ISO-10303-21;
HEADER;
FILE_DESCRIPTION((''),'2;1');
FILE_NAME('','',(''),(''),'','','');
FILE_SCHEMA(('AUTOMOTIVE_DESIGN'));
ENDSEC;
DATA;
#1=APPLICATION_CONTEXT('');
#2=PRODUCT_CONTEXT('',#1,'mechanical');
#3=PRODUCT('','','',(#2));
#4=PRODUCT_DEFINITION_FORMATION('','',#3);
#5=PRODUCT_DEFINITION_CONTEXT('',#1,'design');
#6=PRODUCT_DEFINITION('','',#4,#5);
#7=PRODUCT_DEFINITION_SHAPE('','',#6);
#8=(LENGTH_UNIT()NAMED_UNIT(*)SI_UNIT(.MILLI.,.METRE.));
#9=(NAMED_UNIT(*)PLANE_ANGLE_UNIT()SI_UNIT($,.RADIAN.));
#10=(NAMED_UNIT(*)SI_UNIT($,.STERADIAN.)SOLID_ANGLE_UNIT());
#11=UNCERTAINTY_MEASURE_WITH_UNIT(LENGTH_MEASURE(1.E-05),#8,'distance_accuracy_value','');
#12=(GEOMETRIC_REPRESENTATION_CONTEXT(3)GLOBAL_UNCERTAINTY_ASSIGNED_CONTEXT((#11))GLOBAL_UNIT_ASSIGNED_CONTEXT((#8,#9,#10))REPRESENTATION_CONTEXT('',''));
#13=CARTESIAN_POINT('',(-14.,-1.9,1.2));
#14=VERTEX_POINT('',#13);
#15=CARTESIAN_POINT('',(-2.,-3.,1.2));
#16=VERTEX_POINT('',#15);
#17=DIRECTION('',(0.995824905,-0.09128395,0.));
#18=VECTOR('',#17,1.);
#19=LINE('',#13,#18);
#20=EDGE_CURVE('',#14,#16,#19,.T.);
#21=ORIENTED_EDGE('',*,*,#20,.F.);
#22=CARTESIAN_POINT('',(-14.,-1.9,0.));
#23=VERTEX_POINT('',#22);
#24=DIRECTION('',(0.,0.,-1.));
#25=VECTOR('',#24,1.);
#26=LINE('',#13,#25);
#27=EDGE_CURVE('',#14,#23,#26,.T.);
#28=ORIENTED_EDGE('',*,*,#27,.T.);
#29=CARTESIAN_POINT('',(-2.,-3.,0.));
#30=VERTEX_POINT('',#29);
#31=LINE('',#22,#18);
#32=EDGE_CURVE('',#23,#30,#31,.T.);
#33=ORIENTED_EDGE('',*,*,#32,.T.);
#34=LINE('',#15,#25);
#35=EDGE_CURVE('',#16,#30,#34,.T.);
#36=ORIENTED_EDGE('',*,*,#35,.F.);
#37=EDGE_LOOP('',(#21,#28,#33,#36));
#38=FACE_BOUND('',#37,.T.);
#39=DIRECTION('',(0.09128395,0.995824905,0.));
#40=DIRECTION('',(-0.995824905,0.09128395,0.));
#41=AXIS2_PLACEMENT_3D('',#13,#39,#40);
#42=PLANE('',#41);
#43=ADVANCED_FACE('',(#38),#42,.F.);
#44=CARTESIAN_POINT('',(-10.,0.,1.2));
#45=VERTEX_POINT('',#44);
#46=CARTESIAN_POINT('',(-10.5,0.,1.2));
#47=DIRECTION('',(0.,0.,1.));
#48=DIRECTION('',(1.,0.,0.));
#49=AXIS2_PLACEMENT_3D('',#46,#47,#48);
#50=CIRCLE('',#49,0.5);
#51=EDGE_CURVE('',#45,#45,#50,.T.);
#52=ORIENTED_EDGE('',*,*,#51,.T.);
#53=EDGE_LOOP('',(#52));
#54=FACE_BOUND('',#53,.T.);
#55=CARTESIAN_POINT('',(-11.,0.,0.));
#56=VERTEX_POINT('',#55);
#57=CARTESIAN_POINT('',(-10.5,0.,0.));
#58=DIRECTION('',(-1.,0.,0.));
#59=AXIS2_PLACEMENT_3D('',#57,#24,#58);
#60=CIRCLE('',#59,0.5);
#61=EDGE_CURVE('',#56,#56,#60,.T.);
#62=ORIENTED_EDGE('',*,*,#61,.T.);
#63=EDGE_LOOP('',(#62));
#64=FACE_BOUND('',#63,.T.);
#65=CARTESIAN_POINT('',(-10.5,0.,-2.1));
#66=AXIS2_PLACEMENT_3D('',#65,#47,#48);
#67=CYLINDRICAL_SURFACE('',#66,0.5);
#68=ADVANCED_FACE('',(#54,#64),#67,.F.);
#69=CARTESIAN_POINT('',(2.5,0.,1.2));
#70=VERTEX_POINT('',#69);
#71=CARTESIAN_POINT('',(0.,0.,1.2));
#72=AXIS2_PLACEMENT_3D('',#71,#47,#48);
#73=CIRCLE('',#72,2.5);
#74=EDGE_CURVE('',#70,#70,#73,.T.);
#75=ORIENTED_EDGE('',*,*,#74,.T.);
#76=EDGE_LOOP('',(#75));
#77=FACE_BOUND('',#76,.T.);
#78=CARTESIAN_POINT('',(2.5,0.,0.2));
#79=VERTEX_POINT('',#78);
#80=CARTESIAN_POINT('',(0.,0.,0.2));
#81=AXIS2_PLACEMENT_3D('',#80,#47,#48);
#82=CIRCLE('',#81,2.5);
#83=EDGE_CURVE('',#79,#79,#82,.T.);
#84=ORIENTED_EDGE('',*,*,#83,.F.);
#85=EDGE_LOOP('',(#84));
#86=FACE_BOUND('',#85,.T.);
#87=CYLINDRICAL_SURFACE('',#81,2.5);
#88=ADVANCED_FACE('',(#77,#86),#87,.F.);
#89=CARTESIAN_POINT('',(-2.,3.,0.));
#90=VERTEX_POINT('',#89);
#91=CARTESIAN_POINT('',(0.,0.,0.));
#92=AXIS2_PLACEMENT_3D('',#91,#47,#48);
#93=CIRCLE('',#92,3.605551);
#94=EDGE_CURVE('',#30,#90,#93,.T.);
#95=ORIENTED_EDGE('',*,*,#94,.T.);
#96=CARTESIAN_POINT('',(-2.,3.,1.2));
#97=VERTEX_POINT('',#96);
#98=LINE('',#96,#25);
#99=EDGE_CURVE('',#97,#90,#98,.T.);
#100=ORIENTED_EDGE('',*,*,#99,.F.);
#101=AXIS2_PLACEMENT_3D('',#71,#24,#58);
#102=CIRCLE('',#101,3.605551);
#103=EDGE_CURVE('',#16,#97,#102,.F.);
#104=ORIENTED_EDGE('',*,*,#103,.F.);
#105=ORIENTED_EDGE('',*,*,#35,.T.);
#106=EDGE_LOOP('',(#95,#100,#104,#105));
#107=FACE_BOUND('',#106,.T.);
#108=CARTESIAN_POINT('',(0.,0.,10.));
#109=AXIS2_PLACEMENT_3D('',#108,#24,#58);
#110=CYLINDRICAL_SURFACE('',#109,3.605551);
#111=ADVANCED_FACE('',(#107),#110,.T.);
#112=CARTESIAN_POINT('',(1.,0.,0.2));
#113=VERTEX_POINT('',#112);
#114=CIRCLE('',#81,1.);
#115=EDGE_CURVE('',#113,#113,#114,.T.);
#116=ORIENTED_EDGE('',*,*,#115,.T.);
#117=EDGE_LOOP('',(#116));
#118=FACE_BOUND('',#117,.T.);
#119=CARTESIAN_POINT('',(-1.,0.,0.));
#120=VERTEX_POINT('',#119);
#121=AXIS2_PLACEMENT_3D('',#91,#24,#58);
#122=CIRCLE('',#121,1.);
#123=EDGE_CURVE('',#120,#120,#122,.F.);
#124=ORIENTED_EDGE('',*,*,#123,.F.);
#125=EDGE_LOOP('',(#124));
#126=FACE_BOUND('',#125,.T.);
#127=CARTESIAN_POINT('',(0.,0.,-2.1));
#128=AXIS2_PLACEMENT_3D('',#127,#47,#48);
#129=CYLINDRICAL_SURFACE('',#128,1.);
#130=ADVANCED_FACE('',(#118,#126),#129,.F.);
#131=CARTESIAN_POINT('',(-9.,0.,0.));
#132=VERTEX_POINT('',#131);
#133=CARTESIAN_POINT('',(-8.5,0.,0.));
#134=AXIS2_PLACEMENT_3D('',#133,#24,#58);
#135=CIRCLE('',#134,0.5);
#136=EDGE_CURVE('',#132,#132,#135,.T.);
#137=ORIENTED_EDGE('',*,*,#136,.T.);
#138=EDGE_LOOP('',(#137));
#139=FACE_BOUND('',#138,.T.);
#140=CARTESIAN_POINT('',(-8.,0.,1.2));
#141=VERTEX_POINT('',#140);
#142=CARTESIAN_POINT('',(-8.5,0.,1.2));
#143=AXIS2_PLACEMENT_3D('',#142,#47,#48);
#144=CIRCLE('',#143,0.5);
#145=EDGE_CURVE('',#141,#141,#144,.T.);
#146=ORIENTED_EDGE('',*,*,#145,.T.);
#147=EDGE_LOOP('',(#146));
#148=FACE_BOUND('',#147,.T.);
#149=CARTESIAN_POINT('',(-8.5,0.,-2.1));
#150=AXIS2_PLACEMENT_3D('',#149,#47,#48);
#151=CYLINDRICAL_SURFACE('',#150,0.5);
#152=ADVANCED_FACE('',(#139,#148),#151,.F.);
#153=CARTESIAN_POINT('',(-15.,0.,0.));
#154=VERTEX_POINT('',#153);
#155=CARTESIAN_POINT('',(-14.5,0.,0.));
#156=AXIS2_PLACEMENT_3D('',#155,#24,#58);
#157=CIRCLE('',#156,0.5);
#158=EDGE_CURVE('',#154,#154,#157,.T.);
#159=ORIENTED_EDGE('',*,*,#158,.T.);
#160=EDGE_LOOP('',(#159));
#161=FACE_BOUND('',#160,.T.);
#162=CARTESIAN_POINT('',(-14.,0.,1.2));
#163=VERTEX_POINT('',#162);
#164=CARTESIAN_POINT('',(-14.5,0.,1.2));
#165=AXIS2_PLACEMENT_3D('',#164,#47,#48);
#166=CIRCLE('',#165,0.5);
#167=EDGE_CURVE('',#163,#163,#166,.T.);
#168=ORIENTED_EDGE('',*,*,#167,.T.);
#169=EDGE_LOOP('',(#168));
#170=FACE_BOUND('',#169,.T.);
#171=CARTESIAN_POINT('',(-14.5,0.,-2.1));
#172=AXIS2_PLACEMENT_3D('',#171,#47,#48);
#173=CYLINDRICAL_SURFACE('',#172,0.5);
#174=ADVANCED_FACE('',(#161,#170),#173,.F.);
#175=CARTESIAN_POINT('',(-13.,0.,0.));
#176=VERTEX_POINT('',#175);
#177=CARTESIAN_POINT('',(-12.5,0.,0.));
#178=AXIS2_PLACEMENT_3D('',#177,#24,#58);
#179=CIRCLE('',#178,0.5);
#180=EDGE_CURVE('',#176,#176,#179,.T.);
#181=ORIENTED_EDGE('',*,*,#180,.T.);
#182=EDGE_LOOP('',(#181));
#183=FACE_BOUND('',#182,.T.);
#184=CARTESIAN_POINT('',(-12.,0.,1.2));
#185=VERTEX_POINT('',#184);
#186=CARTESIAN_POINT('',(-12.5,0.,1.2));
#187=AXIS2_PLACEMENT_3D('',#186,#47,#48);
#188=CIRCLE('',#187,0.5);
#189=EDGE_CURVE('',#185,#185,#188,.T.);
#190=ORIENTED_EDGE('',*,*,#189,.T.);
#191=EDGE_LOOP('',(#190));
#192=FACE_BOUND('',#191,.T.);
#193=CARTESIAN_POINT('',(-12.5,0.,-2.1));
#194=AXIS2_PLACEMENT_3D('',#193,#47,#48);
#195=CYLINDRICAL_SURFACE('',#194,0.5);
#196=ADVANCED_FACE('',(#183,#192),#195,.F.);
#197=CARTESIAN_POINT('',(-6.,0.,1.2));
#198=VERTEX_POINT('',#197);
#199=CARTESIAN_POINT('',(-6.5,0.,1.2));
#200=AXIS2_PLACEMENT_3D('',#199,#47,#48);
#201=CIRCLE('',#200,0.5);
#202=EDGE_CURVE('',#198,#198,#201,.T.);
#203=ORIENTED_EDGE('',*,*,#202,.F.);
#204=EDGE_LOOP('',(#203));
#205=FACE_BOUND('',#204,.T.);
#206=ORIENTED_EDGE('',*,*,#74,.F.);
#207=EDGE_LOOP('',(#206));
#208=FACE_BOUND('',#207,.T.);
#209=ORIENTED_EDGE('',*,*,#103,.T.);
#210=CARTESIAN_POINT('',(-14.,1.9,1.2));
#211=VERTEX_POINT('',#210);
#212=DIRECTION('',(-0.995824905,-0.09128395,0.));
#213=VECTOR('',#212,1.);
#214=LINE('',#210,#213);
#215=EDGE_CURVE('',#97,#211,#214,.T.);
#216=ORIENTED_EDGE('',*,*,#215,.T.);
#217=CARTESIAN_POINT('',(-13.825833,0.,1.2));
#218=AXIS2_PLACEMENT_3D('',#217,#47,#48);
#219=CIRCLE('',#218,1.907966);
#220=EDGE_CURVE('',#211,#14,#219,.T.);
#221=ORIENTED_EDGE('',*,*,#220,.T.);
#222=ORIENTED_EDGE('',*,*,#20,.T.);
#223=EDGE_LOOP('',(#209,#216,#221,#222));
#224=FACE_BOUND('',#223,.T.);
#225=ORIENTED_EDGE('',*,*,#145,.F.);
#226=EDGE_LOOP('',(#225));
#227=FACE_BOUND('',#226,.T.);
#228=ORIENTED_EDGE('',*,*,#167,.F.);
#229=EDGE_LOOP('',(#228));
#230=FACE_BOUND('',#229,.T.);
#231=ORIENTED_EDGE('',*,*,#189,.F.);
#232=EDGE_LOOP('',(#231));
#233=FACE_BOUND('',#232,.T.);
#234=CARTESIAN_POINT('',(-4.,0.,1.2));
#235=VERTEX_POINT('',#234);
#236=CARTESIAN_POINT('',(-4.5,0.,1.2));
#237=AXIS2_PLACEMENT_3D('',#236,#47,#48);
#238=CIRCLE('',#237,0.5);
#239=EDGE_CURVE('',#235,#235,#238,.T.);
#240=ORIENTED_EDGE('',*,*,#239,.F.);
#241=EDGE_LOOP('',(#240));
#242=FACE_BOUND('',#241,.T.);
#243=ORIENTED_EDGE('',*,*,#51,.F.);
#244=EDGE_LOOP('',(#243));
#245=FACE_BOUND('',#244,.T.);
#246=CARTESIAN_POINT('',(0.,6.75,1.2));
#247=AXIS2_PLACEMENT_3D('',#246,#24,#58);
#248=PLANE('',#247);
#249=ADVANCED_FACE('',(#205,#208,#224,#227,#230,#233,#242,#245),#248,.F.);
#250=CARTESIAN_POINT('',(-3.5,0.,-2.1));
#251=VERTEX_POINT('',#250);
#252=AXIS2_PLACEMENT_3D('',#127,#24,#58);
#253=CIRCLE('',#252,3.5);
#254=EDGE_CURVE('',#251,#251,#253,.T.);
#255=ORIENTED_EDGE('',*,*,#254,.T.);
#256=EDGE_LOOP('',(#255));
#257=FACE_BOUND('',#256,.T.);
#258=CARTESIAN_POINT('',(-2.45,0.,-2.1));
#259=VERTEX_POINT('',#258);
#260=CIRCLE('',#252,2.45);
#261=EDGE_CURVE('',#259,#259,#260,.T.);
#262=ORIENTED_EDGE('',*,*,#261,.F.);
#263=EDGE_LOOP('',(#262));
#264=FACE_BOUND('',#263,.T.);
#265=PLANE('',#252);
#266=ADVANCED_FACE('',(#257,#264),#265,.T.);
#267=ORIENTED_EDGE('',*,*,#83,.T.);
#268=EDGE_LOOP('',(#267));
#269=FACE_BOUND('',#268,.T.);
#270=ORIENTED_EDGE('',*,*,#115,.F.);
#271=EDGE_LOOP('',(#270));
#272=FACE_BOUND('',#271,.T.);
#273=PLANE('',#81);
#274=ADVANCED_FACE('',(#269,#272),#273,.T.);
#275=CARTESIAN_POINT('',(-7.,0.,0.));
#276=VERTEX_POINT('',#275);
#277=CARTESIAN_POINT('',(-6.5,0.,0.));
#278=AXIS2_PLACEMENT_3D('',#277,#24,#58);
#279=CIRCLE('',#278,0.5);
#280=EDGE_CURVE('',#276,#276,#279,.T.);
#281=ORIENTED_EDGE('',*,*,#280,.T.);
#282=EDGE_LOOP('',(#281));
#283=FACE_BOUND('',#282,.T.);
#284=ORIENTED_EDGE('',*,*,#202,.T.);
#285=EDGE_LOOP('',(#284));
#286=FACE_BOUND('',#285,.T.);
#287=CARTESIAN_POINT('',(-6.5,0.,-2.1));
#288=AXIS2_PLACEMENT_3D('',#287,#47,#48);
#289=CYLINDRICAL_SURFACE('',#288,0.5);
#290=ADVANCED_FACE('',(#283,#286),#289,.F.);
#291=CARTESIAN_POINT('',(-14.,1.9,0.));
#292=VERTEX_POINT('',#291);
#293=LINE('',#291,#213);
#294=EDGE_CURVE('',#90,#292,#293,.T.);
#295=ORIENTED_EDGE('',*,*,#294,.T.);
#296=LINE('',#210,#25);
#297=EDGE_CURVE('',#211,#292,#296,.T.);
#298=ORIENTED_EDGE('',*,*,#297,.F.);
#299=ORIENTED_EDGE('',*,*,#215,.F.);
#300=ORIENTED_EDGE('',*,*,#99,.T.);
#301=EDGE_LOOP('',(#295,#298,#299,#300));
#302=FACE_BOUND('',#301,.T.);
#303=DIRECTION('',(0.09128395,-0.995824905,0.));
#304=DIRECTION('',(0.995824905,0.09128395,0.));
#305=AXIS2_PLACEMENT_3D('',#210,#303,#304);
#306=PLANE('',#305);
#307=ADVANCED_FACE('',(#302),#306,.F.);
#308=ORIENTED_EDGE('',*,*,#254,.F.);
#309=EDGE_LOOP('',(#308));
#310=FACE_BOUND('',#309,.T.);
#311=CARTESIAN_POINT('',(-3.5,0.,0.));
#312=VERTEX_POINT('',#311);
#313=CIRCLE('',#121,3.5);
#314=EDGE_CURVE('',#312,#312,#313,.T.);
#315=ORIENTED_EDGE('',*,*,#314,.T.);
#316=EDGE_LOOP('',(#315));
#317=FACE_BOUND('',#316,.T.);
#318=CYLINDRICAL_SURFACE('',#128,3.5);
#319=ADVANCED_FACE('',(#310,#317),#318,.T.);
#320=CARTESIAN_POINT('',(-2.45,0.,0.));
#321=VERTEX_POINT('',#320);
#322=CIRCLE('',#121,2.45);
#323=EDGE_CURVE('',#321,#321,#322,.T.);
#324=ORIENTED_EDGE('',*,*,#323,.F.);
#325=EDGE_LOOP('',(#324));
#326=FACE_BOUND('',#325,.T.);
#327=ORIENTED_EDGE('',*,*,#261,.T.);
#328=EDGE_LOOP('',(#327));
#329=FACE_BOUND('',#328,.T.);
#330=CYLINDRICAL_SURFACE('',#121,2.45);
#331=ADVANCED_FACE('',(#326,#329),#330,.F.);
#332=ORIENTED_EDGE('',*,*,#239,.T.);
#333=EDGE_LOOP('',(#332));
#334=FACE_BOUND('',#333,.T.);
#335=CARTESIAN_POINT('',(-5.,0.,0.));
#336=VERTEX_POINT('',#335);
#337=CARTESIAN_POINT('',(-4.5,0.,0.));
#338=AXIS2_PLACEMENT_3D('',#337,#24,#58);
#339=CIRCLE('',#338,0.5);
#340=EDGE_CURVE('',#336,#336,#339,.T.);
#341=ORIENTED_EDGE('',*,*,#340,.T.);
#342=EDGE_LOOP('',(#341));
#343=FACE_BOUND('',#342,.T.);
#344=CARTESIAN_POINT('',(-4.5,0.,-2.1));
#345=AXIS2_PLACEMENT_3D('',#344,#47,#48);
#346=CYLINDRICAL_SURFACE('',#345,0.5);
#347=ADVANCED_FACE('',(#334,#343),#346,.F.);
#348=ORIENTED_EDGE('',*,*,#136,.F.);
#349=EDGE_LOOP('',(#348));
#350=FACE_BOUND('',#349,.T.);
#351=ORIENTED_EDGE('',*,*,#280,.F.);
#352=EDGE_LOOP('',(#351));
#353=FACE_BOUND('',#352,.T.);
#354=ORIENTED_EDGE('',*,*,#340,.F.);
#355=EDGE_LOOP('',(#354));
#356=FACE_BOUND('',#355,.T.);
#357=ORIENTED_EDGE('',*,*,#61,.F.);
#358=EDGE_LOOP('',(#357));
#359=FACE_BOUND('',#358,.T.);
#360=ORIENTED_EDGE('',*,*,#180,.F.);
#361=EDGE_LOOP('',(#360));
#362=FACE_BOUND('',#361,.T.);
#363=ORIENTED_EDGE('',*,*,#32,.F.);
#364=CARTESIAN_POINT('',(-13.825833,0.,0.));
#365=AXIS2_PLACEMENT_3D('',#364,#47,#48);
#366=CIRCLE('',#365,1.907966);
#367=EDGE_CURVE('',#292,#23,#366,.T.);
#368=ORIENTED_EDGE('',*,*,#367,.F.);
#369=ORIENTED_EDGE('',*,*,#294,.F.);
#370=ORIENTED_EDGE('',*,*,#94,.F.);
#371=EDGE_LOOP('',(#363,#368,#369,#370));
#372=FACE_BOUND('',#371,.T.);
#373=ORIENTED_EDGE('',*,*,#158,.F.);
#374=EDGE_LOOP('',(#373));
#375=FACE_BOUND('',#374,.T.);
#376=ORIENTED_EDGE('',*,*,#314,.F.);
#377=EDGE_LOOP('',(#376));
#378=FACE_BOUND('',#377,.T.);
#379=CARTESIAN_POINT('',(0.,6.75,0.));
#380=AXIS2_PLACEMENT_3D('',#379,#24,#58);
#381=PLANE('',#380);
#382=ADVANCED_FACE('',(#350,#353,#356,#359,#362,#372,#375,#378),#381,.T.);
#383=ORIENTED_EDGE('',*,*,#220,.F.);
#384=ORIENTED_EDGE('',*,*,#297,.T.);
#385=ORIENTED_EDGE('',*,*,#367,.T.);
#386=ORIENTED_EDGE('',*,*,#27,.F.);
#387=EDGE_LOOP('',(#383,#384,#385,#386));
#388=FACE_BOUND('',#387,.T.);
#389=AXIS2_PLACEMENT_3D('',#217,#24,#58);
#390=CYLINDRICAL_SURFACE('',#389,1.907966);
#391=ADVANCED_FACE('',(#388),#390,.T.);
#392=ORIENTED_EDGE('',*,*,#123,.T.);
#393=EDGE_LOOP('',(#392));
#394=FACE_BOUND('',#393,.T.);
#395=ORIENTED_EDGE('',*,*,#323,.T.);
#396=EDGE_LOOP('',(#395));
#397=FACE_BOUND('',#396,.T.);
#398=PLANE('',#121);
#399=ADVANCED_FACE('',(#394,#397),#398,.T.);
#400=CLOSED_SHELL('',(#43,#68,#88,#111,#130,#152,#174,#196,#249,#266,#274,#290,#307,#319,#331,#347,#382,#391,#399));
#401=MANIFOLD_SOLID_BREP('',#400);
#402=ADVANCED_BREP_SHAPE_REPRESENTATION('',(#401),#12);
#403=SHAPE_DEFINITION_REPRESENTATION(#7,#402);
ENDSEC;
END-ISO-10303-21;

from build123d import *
from build123d.topology import SkipClean

# Parameters (mm, degrees)
BOSS_EXTRUDE1_DEPTH = 1.2
SKETCH2_R           = 3.5
BOSS_EXTRUDE2_DEPTH = 2.1
SKETCH3_R           = 2.5
CUT_EXTRUDE1_DEPTH  = 1
SKETCH4_R           = 1
CUT_EXTRUDE2_DEPTH  = 19.149516235
SKETCH6_R           = 2.45
CUT_EXTRUDE3_DEPTH  = 2.1
SKETCH8_R           = 0.5
CUT_EXTRUDE5_DEPTH  = 19.303140156
CUT_EXTRUDE6_DEPTH  = 10
CUT_EXTRUDE7_DEPTH  = 10


with BuildPart() as part:
    # Sketch1 → Boss-Extrude1 (new body)
    with BuildSketch(Plane.XY):
        with BuildLine():
            Line((-2, -6.75), (-2, -3))
            Line((-2, -3), (-14, -1.9))
            ThreePointArc((-14, -1.9), (-15.733799273, 0), (-14, 1.9))
            Line((-14, 1.9), (-2, 3))
            Line((-2, 3), (-2, 6.75))
            ThreePointArc((-2, 6.75), (0, 8.75), (2, 6.75))
            Line((2, 6.75), (2, 3))
            Line((2, 3), (14, 1.9))
            ThreePointArc((14, 1.9), (15.733799273, 0), (14, -1.9))
            Line((14, -1.9), (2, -3))
            Line((2, -3), (2, -6.75))
            ThreePointArc((2, -6.75), (0, -8.75), (-2, -6.75))
        make_face()
    extrude(amount=BOSS_EXTRUDE1_DEPTH)

    # Sketch2 → Boss-Extrude2 (add)
    with BuildSketch(Plane(origin=(0, 0, 0), x_dir=(-1, 0, 0), z_dir=(0, 0, -1))):
        Circle(SKETCH2_R)
    extrude(amount=BOSS_EXTRUDE2_DEPTH)

    # Sketch3 → Cut-Extrude1 (cut)
    with BuildSketch(Plane.XY.offset(1.2)):
        Circle(SKETCH3_R)
    extrude(amount=-CUT_EXTRUDE1_DEPTH, mode=Mode.SUBTRACT)

    # Sketch4 → Cut-Extrude2 (cut, through all)
    with BuildSketch(Plane.XY.offset(0.2)):
        Circle(SKETCH4_R)
    extrude(amount=-CUT_EXTRUDE2_DEPTH, mode=Mode.SUBTRACT)

    # Sketch6 → Cut-Extrude3 (cut)
    with BuildSketch(Plane(origin=(0, 0, -2.1), x_dir=(-1, 0, 0), z_dir=(0, 0, -1))):
        Circle(SKETCH6_R)
    extrude(amount=-CUT_EXTRUDE3_DEPTH, mode=Mode.SUBTRACT)

    # Sketch8 → Cut-Extrude5 (cut, through all)
    with BuildSketch(Plane.XY.offset(1.2)):
        with Locations((-4.5, 0)):
            Circle(SKETCH8_R)
        with Locations((-6.5, 0)):
            Circle(SKETCH8_R)
        with Locations((-8.5, 0)):
            Circle(SKETCH8_R)
        with Locations((-10.5, 0)):
            Circle(SKETCH8_R)
        with Locations((-12.5, 0)):
            Circle(SKETCH8_R)
        with Locations((-14.5, 0)):
            Circle(SKETCH8_R)
    extrude(amount=-CUT_EXTRUDE5_DEPTH, mode=Mode.SUBTRACT)

    # Sketch10 → Cut-Extrude6 (cut)
    with BuildSketch(Plane(origin=(0, 0, 0), x_dir=(-1, 0, 0), z_dir=(0, 0, -1))):
        with BuildLine():
            Line((-2, 3), (-3.5, 8.058048999))
            Line((-3.5, 8.058048999), (0.410688034, 10.263711762))
            Line((0.410688034, 10.263711762), (4.972399658, 6.328608878))
            Line((4.972399658, 6.328608878), (2, 3))
            ThreePointArc((2, 3), (0, 3.605551275), (-2, 3))
        make_face()
        with BuildLine():
            Line((-2, -3), (-3.79905406, -6.652770289))
            Line((-3.79905406, -6.652770289), (-0.630835306, -10.284036399))
            Line((-0.630835306, -10.284036399), (2.565835598, -9.787591171))
            Line((2.565835598, -9.787591171), (3.731558209, -4.826385145))
            Line((3.731558209, -4.826385145), (2, -3))
            ThreePointArc((2, -3), (0, -3.605551275), (-2, -3))
        make_face()
    extrude(amount=-CUT_EXTRUDE6_DEPTH, mode=Mode.SUBTRACT)

    # Sketch12 → Cut-Extrude7 (cut)
    with SkipClean():  # the faces are left unmerged after this step: merging them gives an invalid solid
        with BuildSketch(Plane(origin=(0, 0, 0), x_dir=(-1, 0, 0), z_dir=(0, 0, -1))):
            with BuildLine():
                Line((-14, 1.9), (-2, 3))
                ThreePointArc((-2, 3), (-3.605551275, 0), (-2, -3))
                Line((-2, -3), (-14, -1.9))
                ThreePointArc((-14, -1.9), (-15.733799273, 0), (-14, 1.9))
            make_face()
        extrude(amount=-CUT_EXTRUDE7_DEPTH, mode=Mode.SUBTRACT)


solid = part.part
